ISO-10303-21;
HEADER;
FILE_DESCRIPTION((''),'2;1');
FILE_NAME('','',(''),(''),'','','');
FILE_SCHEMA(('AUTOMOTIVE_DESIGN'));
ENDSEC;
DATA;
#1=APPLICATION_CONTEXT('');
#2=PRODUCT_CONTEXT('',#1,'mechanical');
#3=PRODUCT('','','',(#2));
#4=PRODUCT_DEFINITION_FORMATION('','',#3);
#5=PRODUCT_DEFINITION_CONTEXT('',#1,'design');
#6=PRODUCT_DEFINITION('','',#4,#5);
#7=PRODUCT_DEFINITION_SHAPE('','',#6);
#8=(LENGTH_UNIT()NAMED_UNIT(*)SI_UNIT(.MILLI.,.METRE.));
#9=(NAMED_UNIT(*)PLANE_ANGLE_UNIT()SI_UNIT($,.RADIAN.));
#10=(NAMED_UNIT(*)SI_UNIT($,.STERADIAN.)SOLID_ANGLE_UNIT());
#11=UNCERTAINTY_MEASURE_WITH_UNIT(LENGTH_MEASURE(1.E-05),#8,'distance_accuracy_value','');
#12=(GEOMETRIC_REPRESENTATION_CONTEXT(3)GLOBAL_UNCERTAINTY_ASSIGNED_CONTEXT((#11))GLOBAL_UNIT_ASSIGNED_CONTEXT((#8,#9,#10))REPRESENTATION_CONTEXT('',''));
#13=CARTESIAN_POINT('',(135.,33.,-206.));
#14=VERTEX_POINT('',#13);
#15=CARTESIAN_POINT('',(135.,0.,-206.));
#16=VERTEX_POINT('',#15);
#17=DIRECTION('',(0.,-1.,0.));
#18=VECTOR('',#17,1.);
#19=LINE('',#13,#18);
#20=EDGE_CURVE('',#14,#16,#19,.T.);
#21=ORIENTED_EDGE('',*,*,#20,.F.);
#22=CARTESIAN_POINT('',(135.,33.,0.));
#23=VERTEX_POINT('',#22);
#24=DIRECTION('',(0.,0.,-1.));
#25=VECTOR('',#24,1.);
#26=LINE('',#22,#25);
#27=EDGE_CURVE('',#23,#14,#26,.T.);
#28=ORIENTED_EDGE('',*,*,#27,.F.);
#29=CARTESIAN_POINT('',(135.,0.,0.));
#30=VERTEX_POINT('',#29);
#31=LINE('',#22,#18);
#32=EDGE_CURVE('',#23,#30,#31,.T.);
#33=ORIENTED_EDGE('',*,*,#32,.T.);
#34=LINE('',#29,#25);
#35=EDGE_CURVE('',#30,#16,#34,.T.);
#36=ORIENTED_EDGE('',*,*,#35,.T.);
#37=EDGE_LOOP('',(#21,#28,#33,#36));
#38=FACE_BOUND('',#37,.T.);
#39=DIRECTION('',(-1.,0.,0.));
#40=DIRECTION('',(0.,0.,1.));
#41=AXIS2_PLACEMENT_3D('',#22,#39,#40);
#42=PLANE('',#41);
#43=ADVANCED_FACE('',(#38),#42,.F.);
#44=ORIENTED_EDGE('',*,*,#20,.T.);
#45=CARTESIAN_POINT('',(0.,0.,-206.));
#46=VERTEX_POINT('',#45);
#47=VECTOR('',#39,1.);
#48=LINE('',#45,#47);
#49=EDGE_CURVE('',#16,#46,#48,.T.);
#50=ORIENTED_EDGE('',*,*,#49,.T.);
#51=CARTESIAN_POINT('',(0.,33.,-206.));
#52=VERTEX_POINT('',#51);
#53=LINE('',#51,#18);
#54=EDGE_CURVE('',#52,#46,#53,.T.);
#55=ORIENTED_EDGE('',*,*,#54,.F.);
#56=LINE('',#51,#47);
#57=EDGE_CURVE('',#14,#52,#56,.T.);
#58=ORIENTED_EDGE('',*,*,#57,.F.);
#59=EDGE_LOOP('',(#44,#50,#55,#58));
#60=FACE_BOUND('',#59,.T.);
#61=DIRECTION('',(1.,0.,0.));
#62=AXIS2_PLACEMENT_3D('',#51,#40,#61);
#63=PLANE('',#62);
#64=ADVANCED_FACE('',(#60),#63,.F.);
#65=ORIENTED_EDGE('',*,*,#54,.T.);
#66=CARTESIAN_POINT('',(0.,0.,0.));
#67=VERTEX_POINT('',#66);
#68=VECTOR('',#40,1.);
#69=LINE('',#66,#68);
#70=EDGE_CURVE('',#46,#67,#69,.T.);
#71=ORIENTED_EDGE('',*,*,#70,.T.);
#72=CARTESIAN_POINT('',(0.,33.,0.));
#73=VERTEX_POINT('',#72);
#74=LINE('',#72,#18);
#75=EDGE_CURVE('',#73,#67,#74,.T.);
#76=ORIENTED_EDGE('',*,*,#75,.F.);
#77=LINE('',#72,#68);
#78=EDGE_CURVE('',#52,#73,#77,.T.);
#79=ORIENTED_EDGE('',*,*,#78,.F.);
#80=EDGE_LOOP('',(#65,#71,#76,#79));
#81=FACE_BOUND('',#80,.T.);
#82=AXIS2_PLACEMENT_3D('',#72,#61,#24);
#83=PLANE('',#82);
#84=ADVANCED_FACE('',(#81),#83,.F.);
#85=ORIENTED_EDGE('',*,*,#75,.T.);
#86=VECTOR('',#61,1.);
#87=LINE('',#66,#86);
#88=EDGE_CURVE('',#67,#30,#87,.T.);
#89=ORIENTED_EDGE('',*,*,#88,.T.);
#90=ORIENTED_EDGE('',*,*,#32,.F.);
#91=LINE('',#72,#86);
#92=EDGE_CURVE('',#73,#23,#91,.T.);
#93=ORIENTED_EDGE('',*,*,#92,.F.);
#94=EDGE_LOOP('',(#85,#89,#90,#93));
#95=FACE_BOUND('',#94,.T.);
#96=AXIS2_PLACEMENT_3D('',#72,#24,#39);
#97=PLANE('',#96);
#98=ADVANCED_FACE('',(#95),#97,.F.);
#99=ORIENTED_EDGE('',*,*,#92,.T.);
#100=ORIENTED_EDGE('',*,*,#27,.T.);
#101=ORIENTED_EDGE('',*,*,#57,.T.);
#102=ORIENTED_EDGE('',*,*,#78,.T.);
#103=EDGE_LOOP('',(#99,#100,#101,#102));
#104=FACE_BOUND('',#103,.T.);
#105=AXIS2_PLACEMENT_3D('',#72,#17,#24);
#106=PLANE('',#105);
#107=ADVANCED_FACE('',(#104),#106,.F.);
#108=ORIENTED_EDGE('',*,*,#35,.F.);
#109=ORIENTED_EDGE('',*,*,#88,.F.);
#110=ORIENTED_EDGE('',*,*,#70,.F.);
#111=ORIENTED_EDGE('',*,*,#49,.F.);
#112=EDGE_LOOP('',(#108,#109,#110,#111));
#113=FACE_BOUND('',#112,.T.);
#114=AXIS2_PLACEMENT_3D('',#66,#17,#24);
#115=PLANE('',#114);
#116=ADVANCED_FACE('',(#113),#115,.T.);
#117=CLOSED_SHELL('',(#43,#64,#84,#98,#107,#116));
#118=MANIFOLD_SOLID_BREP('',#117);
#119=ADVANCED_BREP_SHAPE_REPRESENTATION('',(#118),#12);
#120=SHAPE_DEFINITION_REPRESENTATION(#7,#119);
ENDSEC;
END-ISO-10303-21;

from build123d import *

# Parameters (mm, degrees)
SKETCH1_W           = 135
SKETCH1_H           = 206
BOSS_EXTRUDE1_DEPTH = 33


with BuildPart() as part:
    # Sketch1 → Boss-Extrude1 (new body)
    with BuildSketch(Plane(origin=(0, 0, 0), x_dir=(1, 0, 0), z_dir=(0, 1, 0))):
        with Locations((67.5, 103)):
            Rectangle(SKETCH1_W, SKETCH1_H)
    extrude(amount=BOSS_EXTRUDE1_DEPTH)


solid = part.part
